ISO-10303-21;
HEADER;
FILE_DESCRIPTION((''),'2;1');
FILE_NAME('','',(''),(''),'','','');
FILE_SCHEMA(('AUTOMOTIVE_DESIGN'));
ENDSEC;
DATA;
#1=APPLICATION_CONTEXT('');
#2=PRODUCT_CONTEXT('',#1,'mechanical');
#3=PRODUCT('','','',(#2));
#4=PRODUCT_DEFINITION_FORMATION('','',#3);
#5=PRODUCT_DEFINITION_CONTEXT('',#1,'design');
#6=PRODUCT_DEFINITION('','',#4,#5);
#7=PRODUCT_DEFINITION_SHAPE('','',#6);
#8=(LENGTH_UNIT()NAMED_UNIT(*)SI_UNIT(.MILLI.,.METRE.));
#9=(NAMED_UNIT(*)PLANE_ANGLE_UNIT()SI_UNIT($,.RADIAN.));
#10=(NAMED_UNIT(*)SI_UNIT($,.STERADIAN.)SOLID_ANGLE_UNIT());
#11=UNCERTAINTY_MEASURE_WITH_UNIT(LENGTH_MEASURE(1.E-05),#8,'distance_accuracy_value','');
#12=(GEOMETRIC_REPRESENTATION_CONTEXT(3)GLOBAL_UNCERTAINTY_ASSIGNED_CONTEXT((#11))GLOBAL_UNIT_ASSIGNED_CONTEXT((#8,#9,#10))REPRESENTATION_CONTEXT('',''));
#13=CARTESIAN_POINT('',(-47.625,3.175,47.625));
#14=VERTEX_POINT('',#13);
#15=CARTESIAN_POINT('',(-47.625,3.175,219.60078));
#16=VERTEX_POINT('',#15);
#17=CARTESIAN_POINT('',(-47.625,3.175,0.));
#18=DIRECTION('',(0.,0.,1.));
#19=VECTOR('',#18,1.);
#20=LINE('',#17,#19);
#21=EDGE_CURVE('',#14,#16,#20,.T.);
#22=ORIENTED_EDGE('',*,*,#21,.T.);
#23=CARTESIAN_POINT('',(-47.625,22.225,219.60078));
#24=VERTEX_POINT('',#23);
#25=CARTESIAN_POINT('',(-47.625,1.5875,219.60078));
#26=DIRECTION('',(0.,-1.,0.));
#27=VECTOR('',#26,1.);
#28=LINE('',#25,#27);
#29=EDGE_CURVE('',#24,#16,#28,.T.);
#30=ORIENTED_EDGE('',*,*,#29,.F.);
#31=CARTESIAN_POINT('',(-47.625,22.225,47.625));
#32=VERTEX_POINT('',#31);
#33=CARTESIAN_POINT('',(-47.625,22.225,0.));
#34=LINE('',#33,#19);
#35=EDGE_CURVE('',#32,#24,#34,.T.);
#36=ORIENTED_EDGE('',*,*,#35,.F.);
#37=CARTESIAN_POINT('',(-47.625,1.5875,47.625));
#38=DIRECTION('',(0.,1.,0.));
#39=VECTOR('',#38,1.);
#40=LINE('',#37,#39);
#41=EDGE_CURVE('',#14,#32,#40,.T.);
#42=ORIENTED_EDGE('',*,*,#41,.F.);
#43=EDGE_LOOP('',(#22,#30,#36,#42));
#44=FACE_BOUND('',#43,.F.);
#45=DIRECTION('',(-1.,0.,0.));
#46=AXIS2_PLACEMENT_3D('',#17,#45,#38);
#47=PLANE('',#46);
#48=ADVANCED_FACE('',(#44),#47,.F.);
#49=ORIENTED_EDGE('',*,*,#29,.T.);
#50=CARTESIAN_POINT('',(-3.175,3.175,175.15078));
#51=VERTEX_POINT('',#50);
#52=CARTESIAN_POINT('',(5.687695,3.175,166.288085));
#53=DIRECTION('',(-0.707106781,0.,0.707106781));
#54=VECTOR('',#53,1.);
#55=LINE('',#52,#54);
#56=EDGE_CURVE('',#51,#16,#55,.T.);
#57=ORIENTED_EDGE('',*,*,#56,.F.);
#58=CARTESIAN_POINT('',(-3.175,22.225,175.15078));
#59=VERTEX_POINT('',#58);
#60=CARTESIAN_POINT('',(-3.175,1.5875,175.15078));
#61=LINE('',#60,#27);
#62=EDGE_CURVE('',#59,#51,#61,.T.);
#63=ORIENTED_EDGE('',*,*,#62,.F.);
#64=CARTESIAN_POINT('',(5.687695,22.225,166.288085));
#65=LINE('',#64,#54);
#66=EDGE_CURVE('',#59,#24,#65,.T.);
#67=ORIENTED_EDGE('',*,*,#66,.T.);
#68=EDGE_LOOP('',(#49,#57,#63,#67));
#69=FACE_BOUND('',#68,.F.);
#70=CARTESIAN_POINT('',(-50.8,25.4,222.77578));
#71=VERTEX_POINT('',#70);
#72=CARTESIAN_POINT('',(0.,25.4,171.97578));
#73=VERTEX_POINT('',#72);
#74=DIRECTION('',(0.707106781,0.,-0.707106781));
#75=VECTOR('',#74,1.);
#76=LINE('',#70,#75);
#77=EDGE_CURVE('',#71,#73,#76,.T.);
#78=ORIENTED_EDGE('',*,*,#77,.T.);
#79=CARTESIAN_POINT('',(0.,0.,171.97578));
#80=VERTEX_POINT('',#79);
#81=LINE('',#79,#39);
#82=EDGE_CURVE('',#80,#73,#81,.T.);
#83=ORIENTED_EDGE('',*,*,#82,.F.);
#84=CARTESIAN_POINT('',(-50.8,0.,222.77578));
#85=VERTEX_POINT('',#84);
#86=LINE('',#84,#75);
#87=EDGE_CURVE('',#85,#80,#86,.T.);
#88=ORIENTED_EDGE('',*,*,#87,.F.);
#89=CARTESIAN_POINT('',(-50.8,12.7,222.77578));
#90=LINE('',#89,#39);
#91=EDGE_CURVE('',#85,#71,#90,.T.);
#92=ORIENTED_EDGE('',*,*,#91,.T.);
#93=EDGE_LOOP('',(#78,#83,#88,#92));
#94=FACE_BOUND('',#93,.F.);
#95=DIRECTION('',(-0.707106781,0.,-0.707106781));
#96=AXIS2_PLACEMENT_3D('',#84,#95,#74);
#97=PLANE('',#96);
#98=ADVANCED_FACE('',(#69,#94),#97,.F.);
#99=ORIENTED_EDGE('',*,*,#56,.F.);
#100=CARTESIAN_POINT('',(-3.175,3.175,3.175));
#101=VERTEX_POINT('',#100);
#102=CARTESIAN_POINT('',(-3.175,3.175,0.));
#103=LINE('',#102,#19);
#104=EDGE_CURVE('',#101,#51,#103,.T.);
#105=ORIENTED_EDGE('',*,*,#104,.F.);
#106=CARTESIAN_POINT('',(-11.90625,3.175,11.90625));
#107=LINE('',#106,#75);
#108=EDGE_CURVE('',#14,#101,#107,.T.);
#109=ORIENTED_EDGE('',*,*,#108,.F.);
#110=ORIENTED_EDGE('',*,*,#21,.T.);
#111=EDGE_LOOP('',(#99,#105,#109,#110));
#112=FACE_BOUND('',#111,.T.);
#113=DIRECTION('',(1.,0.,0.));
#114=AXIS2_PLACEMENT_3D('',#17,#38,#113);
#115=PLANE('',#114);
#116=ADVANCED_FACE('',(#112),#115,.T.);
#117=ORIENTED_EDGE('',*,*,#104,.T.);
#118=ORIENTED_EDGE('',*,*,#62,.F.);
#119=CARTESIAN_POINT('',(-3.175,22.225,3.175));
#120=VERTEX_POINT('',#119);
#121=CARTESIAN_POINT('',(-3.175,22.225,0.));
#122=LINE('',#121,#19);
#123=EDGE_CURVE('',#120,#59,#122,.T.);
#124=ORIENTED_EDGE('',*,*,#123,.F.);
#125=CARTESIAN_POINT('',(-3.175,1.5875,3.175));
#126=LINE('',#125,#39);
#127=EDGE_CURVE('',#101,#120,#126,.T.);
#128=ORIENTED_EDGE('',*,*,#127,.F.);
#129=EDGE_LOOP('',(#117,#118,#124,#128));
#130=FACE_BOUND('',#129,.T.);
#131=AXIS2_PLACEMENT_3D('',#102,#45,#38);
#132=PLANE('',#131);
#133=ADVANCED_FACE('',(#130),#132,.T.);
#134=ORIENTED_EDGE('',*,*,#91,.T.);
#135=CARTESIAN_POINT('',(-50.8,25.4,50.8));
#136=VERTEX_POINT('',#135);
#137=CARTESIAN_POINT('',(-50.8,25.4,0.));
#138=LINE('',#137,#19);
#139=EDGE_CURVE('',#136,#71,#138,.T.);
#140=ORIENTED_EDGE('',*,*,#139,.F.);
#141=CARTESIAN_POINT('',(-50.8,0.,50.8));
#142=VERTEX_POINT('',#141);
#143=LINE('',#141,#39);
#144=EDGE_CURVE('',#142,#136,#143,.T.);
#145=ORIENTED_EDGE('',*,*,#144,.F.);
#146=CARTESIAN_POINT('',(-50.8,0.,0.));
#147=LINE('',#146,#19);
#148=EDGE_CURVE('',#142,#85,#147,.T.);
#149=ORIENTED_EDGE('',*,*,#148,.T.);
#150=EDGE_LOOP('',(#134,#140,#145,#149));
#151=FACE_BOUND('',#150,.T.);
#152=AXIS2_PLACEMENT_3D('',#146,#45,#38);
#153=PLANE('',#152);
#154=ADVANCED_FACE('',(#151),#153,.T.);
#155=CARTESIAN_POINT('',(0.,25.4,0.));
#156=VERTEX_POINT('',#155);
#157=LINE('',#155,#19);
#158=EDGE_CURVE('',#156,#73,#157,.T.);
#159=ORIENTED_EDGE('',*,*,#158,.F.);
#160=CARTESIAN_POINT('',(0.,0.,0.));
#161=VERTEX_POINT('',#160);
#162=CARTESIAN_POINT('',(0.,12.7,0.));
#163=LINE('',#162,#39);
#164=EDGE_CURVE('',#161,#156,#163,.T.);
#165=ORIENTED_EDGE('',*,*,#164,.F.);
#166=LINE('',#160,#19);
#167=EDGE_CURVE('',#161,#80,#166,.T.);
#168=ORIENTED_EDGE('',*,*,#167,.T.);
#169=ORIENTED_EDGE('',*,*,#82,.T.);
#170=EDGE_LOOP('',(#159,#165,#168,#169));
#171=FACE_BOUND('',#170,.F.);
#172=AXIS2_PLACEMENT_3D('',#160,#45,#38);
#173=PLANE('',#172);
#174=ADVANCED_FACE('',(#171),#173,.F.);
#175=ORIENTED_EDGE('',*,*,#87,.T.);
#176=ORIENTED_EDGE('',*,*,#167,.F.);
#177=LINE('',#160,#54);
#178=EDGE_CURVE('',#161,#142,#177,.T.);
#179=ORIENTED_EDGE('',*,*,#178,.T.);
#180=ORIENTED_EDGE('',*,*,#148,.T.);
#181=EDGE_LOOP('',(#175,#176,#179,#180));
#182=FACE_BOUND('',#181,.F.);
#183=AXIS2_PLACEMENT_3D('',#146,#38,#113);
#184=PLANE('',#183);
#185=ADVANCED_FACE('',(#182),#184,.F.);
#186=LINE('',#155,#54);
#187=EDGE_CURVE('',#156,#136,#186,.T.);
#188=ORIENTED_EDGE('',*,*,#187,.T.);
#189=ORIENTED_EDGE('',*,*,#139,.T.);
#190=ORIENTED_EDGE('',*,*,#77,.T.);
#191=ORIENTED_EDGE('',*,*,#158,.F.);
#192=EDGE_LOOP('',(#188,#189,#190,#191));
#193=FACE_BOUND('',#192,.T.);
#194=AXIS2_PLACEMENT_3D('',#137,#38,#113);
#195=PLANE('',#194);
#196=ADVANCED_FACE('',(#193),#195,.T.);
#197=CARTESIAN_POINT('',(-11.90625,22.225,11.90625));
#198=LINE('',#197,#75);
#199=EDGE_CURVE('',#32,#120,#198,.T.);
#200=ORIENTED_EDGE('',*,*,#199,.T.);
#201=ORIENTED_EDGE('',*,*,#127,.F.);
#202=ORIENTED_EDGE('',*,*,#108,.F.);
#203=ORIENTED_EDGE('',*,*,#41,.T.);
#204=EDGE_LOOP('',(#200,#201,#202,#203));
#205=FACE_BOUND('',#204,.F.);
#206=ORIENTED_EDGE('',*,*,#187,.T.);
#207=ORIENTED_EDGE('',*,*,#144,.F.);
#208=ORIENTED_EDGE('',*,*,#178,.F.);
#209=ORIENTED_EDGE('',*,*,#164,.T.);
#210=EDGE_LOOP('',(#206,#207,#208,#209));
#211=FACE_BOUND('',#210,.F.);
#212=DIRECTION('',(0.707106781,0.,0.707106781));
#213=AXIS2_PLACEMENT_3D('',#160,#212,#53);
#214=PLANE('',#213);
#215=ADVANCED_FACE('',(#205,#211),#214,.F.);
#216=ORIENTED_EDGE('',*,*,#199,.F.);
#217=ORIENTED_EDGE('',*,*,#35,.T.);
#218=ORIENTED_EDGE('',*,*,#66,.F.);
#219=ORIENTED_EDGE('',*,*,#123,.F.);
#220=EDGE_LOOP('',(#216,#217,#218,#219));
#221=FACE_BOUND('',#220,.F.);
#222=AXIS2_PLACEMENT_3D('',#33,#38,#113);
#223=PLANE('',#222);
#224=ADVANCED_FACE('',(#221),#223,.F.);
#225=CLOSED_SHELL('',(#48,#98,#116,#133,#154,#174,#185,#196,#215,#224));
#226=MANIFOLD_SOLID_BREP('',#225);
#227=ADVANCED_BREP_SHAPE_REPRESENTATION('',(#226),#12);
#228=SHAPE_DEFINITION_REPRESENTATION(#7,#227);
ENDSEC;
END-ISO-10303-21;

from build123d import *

# Parameters (mm, degrees)
F0_W     = 50.8
F0_H     = 25.4
F0_W_2   = 44.45
F0_H_2   = 19.05
F1_DEPTH = 222.77578
F3_DEPTH = 25.4


with BuildPart() as f1:
    # F0 (on Top) → F1 (new body)
    with BuildSketch(Plane.XY):
        with Locations((-25.4, 12.7)):
            Rectangle(F0_W, F0_H)
        with Locations((-25.4, 12.7)):
            Rectangle(F0_W_2, F0_H_2, mode=Mode.SUBTRACT)
    extrude(amount=F1_DEPTH)

    # F2 (on face) → F3 (cut)
    with BuildSketch(Plane.XZ):
        Polygon((-50.8, 0), (0, 0), (-50.8, 50.8), align=None)
        Polygon((-50.8, 222.77578), (0, 171.97578), (0, 222.77578), align=None)
    extrude(amount=-F3_DEPTH, mode=Mode.SUBTRACT)


solid = f1.part
